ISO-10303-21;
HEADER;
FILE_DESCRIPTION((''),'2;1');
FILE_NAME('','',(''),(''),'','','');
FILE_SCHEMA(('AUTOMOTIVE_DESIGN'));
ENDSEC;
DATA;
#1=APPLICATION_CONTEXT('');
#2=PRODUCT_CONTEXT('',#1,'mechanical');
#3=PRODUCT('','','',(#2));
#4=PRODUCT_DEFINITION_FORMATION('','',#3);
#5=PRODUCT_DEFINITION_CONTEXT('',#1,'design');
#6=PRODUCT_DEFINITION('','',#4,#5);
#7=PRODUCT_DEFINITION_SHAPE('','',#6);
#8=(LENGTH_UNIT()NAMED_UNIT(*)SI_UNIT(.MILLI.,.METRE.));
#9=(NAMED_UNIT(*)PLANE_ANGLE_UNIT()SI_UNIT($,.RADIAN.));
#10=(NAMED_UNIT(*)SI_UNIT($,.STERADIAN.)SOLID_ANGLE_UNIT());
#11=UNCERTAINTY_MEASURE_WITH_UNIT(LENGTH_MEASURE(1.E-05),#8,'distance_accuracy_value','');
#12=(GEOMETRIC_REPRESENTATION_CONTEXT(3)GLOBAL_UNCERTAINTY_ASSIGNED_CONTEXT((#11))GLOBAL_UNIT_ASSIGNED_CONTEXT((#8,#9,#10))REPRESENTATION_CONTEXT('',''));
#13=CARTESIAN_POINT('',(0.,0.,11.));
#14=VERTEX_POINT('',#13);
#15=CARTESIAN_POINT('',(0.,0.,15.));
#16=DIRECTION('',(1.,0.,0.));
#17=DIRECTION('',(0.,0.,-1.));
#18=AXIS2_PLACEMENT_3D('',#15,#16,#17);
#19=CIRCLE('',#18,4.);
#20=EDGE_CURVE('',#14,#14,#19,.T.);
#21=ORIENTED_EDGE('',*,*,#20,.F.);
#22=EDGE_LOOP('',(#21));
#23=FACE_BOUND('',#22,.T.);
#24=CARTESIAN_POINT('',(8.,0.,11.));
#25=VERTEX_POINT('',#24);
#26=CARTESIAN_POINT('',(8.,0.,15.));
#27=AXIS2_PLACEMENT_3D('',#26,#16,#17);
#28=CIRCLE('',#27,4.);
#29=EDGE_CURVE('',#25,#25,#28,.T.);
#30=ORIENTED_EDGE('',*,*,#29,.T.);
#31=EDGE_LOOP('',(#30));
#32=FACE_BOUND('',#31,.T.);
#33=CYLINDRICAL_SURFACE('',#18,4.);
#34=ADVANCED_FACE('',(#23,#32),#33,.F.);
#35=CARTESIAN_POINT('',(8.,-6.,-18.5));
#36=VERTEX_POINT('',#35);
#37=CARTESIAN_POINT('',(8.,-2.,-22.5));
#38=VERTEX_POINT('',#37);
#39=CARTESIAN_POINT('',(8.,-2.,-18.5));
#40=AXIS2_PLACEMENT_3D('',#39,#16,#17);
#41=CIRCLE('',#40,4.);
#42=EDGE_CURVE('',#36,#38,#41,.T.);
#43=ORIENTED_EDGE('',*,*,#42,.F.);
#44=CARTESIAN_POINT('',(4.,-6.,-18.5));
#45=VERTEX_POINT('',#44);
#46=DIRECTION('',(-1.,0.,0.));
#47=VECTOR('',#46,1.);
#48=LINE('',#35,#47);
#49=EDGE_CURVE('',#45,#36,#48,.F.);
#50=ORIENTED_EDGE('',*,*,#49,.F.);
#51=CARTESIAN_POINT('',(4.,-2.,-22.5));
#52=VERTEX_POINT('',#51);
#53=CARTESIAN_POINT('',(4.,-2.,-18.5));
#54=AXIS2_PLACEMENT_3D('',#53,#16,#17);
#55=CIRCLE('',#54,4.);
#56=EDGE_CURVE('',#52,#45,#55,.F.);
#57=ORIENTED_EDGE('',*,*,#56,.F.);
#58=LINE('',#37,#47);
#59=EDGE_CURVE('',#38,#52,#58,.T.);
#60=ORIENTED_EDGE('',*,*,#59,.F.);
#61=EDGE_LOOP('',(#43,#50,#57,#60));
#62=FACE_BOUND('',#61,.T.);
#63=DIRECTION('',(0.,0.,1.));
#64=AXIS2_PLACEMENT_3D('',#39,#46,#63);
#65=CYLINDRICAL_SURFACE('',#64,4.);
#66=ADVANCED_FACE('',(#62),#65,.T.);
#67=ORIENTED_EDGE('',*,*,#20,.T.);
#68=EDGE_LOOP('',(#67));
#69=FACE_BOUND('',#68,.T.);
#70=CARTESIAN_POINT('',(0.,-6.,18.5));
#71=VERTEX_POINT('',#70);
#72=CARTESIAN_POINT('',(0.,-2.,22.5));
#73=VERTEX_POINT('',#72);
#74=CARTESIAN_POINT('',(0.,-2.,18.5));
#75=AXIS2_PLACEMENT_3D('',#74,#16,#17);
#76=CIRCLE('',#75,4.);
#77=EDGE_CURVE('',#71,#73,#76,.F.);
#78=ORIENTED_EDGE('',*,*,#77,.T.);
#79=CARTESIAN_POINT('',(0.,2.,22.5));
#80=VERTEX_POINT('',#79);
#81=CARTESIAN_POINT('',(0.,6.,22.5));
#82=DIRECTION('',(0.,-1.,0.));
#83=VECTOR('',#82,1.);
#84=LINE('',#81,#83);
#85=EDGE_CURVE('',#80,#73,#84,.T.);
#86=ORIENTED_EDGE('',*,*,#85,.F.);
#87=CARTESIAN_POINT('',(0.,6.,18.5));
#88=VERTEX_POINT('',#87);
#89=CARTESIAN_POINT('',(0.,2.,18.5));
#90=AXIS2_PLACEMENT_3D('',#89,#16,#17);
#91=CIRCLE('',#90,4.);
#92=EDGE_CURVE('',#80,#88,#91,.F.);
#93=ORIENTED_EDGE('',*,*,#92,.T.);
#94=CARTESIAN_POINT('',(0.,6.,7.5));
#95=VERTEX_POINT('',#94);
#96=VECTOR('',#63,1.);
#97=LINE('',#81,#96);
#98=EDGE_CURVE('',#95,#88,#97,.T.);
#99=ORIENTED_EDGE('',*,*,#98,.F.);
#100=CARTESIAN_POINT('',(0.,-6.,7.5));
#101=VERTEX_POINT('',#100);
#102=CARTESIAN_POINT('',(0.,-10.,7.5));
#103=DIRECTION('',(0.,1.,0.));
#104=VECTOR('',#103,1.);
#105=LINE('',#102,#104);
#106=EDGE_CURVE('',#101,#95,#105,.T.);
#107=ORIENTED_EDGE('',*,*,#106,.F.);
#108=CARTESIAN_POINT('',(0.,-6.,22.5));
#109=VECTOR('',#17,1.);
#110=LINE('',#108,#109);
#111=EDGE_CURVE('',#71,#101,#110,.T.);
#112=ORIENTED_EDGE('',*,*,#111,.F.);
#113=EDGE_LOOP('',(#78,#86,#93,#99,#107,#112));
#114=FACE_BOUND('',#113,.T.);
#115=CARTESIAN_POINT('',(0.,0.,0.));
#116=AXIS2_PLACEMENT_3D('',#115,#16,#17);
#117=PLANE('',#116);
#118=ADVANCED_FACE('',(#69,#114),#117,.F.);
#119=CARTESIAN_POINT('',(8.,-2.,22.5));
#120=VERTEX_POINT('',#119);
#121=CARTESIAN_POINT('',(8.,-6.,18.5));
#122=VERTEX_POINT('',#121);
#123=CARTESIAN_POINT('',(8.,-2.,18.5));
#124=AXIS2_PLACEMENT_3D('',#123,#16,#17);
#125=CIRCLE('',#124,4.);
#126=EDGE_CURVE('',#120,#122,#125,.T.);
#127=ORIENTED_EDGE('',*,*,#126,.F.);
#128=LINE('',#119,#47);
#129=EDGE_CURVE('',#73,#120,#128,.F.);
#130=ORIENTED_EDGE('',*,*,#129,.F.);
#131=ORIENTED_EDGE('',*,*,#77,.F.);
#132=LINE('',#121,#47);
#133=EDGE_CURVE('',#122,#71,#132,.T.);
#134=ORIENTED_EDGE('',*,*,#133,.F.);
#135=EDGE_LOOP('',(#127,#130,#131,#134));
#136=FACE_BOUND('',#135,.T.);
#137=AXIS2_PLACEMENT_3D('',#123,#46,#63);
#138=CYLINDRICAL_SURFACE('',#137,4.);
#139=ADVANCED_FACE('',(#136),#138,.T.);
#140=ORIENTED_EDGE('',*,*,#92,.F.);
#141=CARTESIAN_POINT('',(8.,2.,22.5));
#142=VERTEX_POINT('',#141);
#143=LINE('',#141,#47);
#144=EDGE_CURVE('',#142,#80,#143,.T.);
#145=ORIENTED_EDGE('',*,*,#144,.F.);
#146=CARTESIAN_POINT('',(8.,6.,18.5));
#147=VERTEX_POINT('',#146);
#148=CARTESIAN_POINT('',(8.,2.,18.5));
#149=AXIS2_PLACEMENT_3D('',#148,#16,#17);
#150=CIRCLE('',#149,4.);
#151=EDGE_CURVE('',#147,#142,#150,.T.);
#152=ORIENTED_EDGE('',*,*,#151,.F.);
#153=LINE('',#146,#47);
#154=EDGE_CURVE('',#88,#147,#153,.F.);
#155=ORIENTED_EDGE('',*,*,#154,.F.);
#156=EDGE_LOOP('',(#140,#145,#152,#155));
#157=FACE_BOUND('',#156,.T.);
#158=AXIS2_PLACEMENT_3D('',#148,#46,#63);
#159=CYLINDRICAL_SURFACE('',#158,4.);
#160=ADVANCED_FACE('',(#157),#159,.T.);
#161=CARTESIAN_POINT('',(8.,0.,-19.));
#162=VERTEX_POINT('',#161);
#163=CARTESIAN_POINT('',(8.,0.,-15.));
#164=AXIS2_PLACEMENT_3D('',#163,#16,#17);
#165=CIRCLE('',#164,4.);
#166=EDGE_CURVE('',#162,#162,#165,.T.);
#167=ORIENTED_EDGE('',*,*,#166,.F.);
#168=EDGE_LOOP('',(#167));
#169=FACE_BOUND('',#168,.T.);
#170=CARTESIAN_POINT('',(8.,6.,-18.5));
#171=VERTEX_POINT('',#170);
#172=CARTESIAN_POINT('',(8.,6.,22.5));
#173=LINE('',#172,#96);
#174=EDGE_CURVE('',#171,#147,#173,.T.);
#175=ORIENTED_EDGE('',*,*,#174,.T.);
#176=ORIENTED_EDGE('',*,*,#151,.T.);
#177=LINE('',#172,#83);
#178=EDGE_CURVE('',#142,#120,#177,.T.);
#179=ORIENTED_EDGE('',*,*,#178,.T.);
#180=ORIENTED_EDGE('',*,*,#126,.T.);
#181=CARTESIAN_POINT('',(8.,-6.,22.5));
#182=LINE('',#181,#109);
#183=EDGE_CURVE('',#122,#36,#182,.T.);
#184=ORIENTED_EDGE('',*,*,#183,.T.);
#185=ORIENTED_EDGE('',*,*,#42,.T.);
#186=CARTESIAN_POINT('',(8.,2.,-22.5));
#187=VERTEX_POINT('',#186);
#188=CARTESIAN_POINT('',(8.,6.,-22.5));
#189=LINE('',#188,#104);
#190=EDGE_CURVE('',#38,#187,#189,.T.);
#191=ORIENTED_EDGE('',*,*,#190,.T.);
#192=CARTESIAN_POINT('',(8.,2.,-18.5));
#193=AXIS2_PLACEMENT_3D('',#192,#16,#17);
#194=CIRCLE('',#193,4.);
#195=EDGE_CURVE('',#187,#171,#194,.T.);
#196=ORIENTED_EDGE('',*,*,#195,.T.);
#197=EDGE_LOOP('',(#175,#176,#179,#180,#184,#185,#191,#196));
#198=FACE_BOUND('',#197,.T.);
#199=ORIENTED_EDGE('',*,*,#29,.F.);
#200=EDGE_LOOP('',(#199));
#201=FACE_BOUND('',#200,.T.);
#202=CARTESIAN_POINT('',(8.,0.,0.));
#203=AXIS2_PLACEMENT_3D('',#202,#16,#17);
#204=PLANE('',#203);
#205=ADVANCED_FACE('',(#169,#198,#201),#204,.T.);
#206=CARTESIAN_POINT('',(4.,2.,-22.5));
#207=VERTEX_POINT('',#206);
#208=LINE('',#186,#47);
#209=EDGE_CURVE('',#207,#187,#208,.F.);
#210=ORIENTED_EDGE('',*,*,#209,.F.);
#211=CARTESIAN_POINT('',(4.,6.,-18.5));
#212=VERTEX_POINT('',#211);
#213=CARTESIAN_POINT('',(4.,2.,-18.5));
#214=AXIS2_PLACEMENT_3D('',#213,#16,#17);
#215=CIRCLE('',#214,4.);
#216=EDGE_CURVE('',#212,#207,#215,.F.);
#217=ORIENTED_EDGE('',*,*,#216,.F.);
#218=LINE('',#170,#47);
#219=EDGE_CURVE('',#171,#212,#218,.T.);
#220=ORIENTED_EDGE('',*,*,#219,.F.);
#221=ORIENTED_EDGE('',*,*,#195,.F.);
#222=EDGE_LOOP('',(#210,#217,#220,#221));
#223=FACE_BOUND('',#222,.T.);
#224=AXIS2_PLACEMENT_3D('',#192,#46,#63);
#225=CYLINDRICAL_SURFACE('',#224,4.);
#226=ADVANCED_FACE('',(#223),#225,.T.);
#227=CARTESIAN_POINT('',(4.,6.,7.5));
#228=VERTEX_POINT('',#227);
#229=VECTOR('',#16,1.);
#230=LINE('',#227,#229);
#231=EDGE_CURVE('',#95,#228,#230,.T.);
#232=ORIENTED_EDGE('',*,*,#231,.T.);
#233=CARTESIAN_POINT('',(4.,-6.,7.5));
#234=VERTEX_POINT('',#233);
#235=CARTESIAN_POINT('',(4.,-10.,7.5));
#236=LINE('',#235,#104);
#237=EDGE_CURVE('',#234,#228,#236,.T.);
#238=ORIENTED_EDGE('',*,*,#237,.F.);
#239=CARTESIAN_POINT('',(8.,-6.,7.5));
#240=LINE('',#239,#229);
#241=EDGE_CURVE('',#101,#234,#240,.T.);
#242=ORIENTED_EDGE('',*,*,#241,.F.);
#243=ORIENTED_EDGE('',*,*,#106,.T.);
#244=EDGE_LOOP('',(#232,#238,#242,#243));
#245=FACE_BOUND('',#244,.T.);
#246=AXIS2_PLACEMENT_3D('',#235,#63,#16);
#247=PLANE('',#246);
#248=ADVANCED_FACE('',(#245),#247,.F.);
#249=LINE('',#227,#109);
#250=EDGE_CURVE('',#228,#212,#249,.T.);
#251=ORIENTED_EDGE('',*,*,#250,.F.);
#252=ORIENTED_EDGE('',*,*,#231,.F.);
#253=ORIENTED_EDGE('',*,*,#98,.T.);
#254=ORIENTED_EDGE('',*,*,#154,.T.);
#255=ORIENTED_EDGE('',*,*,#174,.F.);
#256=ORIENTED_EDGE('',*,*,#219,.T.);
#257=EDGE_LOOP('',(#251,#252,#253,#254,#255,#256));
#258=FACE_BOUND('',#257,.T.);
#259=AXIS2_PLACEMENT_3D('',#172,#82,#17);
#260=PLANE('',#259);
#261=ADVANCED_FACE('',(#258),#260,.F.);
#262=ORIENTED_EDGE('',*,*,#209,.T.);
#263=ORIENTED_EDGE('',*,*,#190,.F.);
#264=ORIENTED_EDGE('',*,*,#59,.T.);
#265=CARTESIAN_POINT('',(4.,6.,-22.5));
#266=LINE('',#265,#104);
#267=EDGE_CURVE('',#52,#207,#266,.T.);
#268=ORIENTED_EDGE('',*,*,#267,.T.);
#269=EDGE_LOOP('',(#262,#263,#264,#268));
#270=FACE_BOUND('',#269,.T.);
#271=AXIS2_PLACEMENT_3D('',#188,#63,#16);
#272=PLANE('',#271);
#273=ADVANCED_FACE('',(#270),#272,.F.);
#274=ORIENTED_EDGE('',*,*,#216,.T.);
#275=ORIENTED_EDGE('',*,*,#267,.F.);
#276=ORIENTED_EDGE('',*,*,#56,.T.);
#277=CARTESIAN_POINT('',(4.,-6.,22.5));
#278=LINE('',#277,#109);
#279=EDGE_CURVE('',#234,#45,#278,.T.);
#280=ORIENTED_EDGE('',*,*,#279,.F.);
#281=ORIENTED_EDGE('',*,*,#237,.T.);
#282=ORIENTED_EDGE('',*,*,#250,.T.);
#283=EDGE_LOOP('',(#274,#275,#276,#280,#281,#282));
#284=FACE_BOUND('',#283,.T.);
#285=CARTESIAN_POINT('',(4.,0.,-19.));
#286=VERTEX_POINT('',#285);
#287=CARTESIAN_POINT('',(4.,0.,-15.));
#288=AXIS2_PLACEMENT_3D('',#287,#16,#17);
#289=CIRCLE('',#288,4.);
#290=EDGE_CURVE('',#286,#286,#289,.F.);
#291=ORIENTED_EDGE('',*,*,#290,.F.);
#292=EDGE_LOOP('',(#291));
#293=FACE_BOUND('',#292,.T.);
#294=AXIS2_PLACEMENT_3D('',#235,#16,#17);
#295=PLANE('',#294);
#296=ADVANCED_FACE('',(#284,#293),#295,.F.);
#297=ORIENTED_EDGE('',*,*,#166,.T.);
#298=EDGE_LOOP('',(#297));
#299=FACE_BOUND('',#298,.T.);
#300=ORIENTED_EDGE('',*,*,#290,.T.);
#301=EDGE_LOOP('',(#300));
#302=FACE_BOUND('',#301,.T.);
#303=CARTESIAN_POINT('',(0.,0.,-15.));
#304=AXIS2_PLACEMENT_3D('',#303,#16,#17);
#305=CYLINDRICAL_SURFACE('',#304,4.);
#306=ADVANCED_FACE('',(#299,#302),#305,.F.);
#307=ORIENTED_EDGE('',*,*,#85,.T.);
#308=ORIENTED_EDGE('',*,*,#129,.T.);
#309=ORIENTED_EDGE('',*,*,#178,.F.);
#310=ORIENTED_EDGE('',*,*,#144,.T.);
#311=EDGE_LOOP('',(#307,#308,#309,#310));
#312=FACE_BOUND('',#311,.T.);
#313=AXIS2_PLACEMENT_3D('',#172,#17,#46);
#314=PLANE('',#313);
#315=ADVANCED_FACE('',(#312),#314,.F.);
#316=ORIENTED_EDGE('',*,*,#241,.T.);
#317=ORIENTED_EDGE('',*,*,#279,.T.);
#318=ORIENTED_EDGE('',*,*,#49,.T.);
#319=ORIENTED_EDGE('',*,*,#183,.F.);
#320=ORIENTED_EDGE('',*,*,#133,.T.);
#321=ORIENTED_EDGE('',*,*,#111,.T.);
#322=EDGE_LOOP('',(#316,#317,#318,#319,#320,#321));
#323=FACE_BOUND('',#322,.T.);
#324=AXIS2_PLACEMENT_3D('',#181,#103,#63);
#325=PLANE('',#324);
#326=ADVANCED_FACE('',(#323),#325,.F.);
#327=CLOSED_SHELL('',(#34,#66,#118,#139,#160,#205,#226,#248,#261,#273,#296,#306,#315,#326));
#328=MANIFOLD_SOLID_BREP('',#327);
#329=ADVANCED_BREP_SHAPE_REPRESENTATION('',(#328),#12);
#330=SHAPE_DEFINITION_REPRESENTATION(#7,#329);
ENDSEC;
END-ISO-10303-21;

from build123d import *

# Parameters (mm, degrees)
SKETCH1_W           = 45
SKETCH1_H           = 12
BOSS_EXTRUDE1_DEPTH = 8
SKETCH2_R           = 4
CUT_EXTRUDE1_DEPTH  = 8
FILLET1_R           = 4
SKETCH3_W           = 4
SKETCH3_H           = 39.830583049
CUT_EXTRUDE2_DEPTH  = 16


with BuildPart() as part:
    # Sketch1 → Boss-Extrude1 (new body)
    with BuildSketch(Plane(origin=(0, 0, 0), x_dir=(0, 0, -1), z_dir=(1, 0, 0))):
        Rectangle(SKETCH1_W, SKETCH1_H)
    extrude(amount=BOSS_EXTRUDE1_DEPTH)

    # Sketch2 → Cut-Extrude1 (cut)
    with BuildSketch(Plane(origin=(8, 0, 0), x_dir=(0, 0, -1), z_dir=(1, 0, 0))):
        with Locations((-15, 0)):
            Circle(SKETCH2_R)
        with Locations((15, 0)):
            Circle(SKETCH2_R)
    extrude(amount=-CUT_EXTRUDE1_DEPTH, mode=Mode.SUBTRACT)

    # Fillet1
    fillet1_edges = [part.edges().sort_by_distance(p)[0] for p in [
        (4, -6, -22.5),
        (4, -6, 22.5),
        (4, 6, 22.5),
        (4, 6, -22.5),
    ]]
    fillet(fillet1_edges, radius=FILLET1_R)

    # Sketch3 → Cut-Extrude2 (cut)
    with BuildSketch(Plane(origin=(0, 6, 0), x_dir=(1, 0, 0), z_dir=(0, 1, 0))):
        with Locations((2, 12.415291525)):
            Rectangle(SKETCH3_W, SKETCH3_H)
    extrude(amount=-CUT_EXTRUDE2_DEPTH, mode=Mode.SUBTRACT)


solid = part.part
